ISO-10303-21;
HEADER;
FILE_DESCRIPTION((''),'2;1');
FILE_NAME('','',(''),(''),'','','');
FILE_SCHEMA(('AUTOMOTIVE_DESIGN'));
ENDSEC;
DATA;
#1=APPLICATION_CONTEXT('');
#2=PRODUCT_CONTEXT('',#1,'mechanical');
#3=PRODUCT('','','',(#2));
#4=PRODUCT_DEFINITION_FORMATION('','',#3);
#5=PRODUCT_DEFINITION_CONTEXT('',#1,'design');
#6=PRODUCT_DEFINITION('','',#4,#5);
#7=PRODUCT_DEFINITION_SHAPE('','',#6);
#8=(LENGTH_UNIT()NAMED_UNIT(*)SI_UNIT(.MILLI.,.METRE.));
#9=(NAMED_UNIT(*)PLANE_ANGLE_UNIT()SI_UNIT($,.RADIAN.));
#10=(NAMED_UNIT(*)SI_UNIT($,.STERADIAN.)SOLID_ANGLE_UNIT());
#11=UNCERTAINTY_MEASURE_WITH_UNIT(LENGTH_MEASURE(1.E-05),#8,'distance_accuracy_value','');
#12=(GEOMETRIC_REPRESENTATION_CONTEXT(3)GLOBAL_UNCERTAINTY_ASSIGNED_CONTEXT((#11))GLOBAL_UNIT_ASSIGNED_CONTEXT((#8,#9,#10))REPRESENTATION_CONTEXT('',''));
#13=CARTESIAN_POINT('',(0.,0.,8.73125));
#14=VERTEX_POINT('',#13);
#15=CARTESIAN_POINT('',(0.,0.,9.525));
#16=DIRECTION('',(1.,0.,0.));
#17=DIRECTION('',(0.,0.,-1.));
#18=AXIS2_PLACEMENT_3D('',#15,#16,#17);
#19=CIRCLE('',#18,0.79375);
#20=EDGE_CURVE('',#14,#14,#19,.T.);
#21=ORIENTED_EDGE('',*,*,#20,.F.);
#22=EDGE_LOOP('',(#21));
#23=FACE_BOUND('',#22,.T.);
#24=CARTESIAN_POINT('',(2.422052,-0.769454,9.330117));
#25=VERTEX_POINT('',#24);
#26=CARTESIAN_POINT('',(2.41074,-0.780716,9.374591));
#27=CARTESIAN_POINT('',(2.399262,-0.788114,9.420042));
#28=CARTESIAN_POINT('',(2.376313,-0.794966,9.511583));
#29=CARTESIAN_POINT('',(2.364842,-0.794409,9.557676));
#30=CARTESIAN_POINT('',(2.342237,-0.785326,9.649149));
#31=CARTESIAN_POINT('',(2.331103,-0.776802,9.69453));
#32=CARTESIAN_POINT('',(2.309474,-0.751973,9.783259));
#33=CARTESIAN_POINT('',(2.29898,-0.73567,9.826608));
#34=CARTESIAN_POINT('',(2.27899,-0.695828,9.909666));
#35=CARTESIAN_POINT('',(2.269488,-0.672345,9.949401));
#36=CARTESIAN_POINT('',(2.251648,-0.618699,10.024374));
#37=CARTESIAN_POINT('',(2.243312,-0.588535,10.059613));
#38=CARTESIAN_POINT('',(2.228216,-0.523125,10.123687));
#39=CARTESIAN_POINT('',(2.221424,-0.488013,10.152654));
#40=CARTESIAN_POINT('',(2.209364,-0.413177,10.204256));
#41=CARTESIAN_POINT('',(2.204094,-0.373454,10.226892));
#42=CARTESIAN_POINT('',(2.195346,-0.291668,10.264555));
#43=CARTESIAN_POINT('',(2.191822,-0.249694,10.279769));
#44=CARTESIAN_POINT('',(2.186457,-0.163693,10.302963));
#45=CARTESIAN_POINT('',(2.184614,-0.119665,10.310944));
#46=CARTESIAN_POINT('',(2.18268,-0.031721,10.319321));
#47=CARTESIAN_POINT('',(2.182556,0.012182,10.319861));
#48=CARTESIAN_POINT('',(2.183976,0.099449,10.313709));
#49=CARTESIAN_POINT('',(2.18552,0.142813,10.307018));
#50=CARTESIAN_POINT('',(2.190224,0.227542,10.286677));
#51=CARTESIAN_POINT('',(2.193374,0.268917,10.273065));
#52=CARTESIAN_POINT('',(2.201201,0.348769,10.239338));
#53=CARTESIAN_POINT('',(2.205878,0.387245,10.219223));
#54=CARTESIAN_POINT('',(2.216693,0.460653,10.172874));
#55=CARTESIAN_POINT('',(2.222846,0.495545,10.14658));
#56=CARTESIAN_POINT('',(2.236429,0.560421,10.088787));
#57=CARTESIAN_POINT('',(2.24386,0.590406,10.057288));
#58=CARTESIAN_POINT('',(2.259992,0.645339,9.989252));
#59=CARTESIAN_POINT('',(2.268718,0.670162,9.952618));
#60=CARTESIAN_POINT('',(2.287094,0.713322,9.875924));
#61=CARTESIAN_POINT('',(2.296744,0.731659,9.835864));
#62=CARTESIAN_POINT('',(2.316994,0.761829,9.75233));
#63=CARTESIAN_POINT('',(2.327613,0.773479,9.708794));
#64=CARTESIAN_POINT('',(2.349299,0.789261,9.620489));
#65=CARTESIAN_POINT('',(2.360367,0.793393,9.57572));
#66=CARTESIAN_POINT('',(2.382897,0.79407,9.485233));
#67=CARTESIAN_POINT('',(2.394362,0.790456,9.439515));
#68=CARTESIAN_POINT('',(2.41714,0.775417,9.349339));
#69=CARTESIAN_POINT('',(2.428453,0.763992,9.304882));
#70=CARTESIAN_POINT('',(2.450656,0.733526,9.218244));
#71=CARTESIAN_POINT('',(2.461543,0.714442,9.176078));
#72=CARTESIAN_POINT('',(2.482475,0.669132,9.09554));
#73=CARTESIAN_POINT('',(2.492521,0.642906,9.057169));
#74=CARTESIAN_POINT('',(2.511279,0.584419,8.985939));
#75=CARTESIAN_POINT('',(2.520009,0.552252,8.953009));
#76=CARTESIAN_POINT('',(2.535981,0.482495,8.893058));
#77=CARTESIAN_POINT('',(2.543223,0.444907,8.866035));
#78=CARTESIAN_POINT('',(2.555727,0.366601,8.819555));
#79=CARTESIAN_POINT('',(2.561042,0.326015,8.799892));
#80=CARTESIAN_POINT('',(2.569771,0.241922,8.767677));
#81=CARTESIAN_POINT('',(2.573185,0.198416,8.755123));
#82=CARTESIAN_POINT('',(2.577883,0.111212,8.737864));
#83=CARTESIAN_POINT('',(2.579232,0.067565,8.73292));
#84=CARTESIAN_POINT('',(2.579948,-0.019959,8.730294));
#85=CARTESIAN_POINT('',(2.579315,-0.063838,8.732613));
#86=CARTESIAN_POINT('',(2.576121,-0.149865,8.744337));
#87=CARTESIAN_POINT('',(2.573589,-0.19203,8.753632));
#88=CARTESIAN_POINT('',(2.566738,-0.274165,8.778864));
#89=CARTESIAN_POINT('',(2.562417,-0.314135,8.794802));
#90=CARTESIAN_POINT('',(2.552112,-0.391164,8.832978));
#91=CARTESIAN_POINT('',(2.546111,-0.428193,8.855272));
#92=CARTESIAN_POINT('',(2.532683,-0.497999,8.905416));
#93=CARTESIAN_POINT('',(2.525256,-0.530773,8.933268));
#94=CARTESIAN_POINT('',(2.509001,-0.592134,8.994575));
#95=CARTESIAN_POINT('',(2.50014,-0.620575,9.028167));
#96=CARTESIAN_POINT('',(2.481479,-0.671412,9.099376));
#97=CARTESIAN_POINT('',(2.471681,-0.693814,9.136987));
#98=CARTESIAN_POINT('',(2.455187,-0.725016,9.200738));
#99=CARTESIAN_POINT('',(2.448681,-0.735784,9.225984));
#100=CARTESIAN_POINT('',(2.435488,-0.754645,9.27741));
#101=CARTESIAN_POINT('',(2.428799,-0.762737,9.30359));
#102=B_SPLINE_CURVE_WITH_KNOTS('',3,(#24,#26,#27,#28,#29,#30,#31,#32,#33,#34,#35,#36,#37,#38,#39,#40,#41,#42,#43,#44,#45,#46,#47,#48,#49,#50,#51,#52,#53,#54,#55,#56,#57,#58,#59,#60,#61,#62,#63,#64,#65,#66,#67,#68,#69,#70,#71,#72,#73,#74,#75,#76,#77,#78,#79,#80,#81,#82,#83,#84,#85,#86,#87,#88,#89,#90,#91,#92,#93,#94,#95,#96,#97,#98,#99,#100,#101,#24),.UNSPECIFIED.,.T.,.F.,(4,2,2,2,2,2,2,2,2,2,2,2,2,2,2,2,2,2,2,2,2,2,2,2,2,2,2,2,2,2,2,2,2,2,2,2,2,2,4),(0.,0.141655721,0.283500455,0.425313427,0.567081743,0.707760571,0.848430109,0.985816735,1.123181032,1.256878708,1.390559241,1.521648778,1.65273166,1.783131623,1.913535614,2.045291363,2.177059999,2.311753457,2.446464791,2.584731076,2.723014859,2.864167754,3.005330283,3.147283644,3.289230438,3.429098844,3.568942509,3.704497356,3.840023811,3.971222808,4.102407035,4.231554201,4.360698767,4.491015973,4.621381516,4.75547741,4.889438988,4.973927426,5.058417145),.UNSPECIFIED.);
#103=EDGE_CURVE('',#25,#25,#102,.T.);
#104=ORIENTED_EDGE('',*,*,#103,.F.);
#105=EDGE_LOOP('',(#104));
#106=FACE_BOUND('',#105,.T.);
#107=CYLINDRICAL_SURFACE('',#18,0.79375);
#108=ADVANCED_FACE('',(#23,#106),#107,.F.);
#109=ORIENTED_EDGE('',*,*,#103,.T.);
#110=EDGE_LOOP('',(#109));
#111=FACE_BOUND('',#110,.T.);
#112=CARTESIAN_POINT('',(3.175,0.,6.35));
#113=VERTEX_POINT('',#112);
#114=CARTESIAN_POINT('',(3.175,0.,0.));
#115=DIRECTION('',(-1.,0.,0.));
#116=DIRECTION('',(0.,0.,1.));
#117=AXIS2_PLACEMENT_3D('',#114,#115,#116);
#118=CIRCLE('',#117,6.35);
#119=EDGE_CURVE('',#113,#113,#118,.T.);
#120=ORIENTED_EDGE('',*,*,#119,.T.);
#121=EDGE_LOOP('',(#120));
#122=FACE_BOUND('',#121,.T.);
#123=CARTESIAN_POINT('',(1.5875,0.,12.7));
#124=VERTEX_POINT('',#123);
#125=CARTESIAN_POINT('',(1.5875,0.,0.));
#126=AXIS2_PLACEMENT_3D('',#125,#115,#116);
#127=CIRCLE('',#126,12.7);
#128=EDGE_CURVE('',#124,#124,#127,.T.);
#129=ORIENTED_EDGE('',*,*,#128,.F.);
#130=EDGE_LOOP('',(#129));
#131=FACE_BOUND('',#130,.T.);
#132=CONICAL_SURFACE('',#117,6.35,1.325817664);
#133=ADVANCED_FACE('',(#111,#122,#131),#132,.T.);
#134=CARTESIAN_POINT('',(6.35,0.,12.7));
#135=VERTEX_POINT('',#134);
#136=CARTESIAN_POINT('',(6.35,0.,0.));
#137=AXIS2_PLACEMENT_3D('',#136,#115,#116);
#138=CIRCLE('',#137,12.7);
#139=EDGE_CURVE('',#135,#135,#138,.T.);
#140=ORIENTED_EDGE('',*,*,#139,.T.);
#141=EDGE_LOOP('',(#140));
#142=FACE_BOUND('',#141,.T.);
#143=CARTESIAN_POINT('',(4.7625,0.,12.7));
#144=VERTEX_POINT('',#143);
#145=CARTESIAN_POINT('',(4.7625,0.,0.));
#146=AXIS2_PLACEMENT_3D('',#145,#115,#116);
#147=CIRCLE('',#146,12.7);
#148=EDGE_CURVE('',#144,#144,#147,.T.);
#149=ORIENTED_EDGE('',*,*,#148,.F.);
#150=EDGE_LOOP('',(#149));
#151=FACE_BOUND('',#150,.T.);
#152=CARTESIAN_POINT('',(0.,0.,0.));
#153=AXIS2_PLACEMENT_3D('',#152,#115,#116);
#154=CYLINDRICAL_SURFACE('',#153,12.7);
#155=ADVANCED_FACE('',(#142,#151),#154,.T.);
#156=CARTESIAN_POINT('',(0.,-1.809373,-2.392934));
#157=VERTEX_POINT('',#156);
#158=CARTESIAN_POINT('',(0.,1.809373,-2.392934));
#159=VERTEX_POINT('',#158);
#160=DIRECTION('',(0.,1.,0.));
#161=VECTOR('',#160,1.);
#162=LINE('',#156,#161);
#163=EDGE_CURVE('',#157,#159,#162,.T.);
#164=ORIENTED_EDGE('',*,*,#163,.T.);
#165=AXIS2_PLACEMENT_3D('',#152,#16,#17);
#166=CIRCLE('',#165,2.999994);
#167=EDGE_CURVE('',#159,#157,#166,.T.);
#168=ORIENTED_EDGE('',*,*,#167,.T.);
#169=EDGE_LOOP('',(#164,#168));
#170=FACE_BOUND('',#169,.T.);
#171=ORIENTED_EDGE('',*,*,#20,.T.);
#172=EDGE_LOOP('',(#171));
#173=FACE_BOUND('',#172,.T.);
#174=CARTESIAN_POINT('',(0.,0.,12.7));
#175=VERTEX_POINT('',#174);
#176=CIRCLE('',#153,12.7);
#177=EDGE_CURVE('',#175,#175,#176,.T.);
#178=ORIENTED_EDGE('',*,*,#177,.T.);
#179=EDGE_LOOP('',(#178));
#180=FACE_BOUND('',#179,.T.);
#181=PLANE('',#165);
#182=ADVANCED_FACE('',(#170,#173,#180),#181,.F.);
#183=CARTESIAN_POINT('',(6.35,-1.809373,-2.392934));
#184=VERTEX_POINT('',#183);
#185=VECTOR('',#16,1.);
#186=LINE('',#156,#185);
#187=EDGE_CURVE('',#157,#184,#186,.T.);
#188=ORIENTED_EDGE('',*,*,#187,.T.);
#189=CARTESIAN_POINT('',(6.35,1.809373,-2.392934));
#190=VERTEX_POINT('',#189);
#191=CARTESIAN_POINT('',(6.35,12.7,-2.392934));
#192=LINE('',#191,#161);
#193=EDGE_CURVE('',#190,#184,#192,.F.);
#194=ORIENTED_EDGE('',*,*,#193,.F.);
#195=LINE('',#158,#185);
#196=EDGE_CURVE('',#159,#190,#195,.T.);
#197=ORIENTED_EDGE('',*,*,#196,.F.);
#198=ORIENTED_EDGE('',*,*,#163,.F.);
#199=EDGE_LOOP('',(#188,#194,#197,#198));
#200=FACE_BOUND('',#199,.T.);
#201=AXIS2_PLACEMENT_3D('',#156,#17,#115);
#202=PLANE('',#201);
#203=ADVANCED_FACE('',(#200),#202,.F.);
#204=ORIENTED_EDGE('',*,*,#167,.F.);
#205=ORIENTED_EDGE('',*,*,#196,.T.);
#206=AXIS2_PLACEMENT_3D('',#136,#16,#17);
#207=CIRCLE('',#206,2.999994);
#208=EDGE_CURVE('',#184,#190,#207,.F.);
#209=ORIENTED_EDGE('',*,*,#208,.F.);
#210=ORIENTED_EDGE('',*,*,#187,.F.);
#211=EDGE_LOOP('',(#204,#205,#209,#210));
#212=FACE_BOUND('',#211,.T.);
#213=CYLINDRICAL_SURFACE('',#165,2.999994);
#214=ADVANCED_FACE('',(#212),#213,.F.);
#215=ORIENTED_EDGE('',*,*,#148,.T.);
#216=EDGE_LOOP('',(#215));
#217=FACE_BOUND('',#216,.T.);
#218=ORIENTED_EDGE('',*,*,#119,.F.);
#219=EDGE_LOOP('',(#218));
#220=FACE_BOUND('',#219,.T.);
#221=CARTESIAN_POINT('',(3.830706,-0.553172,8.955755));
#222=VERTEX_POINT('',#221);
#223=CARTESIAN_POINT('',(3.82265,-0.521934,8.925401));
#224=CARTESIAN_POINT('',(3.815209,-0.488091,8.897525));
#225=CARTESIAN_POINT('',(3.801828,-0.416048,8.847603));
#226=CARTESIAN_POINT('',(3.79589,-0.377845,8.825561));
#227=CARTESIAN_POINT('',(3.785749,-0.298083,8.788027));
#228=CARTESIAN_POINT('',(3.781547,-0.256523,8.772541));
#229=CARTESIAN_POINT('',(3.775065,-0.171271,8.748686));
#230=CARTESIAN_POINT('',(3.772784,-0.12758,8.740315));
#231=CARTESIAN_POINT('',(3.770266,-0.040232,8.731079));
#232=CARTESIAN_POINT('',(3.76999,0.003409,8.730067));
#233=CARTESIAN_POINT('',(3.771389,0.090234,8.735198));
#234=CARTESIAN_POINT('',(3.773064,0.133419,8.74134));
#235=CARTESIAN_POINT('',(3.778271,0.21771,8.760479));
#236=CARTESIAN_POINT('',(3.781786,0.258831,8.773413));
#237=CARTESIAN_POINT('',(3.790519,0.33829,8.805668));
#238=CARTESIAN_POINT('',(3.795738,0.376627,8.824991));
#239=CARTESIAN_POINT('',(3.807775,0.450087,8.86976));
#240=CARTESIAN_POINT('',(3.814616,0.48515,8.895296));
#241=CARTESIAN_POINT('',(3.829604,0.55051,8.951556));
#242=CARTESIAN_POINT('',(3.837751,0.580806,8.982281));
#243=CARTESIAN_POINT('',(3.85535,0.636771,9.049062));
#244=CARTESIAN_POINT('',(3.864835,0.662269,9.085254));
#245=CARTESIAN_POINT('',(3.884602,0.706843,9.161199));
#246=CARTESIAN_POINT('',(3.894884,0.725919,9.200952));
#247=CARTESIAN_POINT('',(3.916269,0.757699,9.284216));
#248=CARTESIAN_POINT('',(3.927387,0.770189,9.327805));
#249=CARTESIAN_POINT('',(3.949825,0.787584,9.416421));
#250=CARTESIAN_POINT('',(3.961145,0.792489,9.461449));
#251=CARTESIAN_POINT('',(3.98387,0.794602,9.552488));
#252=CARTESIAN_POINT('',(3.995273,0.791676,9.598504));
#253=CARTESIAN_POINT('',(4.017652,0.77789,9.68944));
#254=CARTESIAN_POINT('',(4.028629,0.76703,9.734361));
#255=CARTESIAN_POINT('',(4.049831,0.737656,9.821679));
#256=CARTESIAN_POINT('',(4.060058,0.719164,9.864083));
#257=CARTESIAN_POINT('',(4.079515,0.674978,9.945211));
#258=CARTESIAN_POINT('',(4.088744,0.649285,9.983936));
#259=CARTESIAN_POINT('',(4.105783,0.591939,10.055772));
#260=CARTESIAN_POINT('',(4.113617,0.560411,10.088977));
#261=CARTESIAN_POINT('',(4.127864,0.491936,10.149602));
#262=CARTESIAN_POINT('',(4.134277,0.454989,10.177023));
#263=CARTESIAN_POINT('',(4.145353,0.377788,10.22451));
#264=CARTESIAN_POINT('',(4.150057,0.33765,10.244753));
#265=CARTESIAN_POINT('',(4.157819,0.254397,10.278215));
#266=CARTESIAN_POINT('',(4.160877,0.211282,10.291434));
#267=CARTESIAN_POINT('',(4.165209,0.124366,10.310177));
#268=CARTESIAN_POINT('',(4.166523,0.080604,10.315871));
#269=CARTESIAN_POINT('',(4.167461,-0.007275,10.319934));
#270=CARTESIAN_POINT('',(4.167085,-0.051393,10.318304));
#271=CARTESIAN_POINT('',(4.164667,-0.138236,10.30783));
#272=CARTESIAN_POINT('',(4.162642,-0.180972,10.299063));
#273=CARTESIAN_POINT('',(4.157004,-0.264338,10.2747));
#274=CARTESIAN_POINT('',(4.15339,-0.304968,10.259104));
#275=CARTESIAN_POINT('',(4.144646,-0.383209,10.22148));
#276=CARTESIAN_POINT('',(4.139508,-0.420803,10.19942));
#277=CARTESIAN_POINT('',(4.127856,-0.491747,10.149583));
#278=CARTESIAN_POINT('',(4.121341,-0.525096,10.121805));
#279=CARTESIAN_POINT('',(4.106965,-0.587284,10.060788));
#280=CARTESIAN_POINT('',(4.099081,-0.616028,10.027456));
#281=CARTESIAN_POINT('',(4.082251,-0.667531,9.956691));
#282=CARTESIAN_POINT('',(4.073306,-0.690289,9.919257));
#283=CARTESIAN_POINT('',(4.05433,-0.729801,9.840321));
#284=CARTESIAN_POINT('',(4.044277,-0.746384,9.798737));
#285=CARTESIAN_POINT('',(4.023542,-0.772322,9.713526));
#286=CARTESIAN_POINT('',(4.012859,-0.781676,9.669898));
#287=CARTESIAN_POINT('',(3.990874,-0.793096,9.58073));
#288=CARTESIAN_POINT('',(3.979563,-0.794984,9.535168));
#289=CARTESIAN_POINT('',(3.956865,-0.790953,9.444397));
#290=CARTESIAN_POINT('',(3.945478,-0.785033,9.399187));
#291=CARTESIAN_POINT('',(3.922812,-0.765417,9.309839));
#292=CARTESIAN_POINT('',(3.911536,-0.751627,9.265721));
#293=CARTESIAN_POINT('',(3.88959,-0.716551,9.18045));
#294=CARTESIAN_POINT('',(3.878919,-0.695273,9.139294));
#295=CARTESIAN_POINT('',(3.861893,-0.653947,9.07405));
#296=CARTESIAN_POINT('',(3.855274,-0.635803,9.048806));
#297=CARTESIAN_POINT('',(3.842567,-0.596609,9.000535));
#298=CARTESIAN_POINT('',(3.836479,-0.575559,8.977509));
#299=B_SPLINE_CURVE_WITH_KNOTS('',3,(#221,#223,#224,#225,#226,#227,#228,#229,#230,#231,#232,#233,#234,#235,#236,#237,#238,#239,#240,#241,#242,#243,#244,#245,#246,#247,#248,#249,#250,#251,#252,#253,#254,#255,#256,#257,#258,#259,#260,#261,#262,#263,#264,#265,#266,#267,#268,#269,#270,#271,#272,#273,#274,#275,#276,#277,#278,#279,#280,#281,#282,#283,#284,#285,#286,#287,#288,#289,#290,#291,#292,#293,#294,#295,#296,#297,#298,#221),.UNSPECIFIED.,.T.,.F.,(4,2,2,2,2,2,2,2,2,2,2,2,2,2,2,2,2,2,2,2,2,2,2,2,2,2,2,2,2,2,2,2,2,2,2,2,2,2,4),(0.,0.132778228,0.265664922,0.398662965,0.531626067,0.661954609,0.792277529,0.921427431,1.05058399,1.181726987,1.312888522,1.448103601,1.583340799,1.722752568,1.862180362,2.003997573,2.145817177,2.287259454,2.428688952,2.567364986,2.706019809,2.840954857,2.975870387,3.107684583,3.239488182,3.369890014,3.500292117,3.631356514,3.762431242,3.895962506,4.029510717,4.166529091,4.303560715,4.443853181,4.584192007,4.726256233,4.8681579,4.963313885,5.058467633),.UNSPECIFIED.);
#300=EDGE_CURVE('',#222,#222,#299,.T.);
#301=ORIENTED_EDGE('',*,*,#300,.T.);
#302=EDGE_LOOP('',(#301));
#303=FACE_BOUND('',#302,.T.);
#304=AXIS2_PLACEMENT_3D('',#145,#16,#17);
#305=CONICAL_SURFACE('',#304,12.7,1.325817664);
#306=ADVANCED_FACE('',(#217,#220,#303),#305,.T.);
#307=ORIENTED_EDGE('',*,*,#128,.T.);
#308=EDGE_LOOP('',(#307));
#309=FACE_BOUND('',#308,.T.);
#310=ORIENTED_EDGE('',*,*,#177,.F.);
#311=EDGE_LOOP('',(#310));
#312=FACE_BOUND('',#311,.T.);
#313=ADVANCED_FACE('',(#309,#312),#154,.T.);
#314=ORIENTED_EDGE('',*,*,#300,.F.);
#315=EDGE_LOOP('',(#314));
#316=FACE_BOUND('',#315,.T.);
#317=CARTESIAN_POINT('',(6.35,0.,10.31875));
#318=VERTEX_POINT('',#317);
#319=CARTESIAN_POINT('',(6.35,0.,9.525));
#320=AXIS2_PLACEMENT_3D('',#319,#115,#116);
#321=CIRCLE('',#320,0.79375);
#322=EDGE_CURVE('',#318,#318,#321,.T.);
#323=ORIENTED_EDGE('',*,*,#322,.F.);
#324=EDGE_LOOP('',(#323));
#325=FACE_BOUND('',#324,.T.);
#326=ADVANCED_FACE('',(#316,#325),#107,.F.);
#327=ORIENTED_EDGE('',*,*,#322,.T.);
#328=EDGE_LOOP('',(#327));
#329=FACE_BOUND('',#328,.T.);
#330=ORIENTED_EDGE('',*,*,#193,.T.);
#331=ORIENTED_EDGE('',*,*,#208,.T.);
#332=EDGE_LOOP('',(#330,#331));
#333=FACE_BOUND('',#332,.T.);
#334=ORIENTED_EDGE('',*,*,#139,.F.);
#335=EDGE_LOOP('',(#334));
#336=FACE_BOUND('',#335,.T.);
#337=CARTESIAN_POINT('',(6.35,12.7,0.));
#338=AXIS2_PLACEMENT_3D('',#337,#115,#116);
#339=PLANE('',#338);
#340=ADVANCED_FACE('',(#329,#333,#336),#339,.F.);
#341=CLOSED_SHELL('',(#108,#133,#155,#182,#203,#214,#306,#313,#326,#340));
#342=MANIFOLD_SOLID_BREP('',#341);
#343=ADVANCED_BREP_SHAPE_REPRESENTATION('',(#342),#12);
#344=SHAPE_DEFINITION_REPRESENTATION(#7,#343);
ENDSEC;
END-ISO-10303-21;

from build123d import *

# Parameters (mm, degrees)
CUT_EXTRUDE1_DEPTH      = 20.05
CUT_EXTRUDE1_DEPTH_BACK = 20.05
CUT_EXTRUDE2_DEPTH      = 20.05
CUT_EXTRUDE2_DEPTH_BACK = 20.05
SKETCH4_R               = 0.79375


with BuildPart() as part:
    # Sketch2 → Revolve1 (revolve)
    with BuildSketch(Plane.XY, mode=Mode.PRIVATE) as revolve1_sk:
        Polygon((0, 0), (0, 12.7), (1.5875, 12.7), (3.175, 6.35), (4.7625, 12.7), (6.35, 12.7), (6.35, 0), align=None)
    revolve(revolve1_sk.sketch.rotate(Axis((0, 0, 0), (1, 0, 0)), 90), axis=Axis((0, 0, 0), (1, 0, 0)))

    # Sketch3 → Cut-Extrude1 (cut, two sides: drawn at the far end of the back side and taken through both)
    with BuildSketch(Plane(origin=(6.35, 0, 0), x_dir=(0, 0, -1), z_dir=(1, 0, 0)).offset(-CUT_EXTRUDE1_DEPTH_BACK)):
        with BuildLine():
            Line((2.392934, -1.80937306), (2.392934, 1.80937306))
            ThreePointArc((2.392934, 1.80937306), (-2.999994, 0), (2.392934, -1.80937306))
        make_face()
    extrude(amount=CUT_EXTRUDE1_DEPTH + CUT_EXTRUDE1_DEPTH_BACK, mode=Mode.SUBTRACT)

    # Sketch4 → Cut-Extrude2 (cut, two sides: drawn at the far end of the back side and taken through both)
    with BuildSketch(Plane(origin=(6.35, 0, 0), x_dir=(0, 0, -1), z_dir=(1, 0, 0)).offset(-CUT_EXTRUDE2_DEPTH_BACK)):
        with Locations((-9.525, 0)):
            Circle(SKETCH4_R)
    extrude(amount=CUT_EXTRUDE2_DEPTH + CUT_EXTRUDE2_DEPTH_BACK, mode=Mode.SUBTRACT)


solid = part.part
